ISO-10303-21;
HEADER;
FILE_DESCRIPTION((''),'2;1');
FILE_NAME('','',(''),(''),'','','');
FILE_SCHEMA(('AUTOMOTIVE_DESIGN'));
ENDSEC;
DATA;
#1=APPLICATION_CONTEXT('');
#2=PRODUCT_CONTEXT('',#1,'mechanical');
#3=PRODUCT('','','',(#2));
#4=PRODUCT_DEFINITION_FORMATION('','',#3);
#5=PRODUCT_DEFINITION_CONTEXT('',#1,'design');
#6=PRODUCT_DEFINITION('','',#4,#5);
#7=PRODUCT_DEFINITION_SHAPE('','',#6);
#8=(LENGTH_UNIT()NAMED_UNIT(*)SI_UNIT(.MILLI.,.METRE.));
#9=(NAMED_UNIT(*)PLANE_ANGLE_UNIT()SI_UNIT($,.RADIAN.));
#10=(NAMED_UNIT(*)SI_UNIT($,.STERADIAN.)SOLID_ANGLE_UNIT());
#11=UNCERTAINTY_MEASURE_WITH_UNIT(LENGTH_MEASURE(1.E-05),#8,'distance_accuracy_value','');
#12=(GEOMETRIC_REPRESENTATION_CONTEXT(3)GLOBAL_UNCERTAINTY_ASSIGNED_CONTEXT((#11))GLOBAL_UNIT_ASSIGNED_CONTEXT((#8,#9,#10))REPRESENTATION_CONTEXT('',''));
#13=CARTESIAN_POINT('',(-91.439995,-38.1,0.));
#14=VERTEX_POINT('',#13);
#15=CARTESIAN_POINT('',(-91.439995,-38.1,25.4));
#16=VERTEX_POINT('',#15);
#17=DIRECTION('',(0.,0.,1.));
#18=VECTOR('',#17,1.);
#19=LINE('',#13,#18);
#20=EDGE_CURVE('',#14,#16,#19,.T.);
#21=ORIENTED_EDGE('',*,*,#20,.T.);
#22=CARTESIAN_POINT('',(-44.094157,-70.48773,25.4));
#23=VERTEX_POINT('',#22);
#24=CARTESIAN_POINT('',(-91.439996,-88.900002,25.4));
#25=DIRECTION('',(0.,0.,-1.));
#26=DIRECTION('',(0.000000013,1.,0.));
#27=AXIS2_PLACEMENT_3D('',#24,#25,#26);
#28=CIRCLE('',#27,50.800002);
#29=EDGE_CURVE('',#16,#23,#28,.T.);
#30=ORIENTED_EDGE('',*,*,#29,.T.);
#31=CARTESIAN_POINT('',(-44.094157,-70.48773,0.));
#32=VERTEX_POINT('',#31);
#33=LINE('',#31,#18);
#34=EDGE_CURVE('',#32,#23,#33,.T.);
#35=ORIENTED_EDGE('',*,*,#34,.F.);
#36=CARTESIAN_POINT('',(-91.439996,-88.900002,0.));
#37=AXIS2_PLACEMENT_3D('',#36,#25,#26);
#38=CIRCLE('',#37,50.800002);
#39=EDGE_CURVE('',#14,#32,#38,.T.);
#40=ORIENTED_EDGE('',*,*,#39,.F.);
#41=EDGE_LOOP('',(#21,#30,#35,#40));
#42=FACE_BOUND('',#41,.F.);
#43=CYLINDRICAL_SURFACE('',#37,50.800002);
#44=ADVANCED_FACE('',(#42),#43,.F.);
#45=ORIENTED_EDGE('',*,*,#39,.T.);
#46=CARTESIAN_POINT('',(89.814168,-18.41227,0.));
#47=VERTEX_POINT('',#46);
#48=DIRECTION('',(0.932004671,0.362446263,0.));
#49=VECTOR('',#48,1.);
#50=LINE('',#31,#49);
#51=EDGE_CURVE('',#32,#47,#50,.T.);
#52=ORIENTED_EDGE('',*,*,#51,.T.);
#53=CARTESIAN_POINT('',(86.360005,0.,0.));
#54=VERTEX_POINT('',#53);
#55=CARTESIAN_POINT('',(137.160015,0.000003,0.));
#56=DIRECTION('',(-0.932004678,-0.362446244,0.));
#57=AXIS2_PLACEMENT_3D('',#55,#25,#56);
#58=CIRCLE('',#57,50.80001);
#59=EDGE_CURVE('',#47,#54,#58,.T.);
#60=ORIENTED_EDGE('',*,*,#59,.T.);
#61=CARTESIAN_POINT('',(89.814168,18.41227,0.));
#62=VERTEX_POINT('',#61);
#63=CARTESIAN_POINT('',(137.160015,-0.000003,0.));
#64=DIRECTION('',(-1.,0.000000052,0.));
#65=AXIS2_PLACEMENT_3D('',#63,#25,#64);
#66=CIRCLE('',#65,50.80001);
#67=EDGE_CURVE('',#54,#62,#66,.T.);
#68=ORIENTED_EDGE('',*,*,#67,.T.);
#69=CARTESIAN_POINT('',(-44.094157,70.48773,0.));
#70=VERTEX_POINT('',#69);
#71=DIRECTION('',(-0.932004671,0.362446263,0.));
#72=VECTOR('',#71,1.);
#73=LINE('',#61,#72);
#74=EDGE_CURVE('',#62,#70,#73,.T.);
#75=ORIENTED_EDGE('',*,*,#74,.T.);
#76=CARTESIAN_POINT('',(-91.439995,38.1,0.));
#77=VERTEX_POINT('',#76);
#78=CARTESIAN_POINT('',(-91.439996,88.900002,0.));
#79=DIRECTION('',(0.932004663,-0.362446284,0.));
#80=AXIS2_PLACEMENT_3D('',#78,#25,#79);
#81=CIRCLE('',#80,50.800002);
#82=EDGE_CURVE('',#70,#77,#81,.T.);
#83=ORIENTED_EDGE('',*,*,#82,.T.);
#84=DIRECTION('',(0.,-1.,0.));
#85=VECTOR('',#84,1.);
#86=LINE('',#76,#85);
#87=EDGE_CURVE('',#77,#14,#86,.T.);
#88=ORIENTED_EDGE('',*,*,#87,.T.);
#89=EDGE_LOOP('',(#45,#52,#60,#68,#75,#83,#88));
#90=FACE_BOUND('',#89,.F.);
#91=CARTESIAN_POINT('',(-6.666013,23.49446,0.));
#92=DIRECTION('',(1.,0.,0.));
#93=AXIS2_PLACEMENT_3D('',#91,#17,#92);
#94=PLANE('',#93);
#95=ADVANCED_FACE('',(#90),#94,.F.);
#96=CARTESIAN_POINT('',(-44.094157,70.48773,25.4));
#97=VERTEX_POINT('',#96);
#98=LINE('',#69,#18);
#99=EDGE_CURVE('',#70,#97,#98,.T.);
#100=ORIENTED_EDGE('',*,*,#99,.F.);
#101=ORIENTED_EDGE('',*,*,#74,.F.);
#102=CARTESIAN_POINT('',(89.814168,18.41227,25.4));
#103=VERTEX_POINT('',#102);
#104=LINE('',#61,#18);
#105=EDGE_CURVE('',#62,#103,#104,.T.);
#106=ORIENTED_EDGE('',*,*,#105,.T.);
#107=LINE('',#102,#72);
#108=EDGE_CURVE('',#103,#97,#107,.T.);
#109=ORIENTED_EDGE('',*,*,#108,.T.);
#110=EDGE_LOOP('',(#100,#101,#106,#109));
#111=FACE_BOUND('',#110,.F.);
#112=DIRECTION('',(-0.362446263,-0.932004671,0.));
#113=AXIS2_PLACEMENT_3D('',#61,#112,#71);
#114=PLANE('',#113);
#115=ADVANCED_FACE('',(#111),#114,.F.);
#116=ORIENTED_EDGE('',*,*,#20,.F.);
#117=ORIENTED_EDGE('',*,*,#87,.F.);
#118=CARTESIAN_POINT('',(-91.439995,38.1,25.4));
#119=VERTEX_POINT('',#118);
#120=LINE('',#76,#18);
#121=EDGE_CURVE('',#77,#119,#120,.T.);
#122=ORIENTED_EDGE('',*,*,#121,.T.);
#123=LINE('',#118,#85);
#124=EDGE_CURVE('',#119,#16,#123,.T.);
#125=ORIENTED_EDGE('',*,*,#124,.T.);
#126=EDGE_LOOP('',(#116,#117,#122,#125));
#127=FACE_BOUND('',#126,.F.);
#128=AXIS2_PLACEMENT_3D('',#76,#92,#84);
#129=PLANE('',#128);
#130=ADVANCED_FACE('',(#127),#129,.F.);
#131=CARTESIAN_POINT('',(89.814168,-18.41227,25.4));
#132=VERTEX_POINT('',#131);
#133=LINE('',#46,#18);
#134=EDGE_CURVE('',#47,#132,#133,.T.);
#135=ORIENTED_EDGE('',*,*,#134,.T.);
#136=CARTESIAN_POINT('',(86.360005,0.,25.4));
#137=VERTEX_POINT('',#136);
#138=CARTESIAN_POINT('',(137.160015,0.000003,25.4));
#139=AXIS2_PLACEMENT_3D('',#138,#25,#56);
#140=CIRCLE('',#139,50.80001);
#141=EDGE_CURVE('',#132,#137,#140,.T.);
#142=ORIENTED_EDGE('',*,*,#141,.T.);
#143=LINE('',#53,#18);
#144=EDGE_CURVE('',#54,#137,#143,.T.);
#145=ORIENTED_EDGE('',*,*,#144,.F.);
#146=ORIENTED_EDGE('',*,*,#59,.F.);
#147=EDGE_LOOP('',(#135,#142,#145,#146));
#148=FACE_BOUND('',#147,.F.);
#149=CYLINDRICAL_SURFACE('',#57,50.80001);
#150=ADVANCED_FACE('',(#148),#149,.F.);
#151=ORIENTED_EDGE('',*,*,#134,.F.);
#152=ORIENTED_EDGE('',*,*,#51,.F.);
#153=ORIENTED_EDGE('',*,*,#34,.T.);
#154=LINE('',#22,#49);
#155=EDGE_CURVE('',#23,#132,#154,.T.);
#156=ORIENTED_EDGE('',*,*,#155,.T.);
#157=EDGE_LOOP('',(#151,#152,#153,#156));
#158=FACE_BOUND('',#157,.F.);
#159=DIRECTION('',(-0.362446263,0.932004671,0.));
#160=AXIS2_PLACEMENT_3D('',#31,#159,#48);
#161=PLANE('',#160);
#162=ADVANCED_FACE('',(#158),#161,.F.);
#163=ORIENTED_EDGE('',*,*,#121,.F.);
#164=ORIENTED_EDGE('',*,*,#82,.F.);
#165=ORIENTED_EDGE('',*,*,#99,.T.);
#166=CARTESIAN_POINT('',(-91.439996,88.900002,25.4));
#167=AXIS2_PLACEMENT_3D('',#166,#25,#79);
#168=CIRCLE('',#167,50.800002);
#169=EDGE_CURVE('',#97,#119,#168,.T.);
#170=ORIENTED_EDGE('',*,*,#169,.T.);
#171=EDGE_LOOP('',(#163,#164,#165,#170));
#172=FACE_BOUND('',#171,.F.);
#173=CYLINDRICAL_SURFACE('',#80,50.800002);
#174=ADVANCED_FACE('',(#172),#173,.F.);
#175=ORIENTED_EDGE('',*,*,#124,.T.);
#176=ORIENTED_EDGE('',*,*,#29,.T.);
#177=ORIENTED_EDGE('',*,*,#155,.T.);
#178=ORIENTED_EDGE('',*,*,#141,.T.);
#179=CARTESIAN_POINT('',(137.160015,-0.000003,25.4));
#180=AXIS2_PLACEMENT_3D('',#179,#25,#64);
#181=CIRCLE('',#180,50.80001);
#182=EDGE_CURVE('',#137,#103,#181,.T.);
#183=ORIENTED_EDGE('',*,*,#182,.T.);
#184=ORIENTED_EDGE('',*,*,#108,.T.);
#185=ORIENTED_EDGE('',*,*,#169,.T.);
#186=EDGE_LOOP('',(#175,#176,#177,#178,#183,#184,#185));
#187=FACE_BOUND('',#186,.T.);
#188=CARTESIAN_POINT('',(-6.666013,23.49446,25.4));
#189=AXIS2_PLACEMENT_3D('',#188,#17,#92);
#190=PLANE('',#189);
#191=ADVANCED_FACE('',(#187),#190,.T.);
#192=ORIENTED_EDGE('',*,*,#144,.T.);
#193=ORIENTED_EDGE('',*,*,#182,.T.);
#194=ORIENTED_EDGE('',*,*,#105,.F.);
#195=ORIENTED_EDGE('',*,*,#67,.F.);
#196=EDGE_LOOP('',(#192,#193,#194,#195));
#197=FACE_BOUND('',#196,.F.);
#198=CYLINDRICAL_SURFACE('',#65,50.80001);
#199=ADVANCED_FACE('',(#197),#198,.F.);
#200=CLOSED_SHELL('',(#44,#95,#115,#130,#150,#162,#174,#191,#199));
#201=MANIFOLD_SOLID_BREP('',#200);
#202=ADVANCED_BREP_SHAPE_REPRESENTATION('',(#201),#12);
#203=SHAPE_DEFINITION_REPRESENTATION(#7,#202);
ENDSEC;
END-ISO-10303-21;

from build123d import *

# Parameters (mm, degrees)
F1_DEPTH = 25.4


with BuildPart() as f1:
    # F0 (on Top) → F1 (new body)
    with BuildSketch(Plane.XY):
        with BuildLine():
            Line((-91.439995, 38.1), (-91.439995, 0))
            Line((-91.439995, 0), (86.360005, 0))
            ThreePointArc((86.360005, 0), (87.231013, 9.366735), (89.814168, 18.41227))
            Line((89.814168, 18.41227), (-44.094157, 70.48773))
            ThreePointArc((-44.094157, 70.48773), (-62.758148, 46.971589), (-91.439995, 38.1))
        make_face()
        with BuildLine():
            Line((86.360005, 0), (-91.439995, 0))
            Line((-91.439995, 0), (-91.439995, -38.1))
            ThreePointArc((-91.439995, -38.1), (-62.758148, -46.971589), (-44.094157, -70.48773))
            Line((-44.094157, -70.48773), (89.814168, -18.41227))
            ThreePointArc((89.814168, -18.41227), (87.231013, -9.366735), (86.360005, 0))
        make_face()
    extrude(amount=F1_DEPTH)


solid = f1.part
